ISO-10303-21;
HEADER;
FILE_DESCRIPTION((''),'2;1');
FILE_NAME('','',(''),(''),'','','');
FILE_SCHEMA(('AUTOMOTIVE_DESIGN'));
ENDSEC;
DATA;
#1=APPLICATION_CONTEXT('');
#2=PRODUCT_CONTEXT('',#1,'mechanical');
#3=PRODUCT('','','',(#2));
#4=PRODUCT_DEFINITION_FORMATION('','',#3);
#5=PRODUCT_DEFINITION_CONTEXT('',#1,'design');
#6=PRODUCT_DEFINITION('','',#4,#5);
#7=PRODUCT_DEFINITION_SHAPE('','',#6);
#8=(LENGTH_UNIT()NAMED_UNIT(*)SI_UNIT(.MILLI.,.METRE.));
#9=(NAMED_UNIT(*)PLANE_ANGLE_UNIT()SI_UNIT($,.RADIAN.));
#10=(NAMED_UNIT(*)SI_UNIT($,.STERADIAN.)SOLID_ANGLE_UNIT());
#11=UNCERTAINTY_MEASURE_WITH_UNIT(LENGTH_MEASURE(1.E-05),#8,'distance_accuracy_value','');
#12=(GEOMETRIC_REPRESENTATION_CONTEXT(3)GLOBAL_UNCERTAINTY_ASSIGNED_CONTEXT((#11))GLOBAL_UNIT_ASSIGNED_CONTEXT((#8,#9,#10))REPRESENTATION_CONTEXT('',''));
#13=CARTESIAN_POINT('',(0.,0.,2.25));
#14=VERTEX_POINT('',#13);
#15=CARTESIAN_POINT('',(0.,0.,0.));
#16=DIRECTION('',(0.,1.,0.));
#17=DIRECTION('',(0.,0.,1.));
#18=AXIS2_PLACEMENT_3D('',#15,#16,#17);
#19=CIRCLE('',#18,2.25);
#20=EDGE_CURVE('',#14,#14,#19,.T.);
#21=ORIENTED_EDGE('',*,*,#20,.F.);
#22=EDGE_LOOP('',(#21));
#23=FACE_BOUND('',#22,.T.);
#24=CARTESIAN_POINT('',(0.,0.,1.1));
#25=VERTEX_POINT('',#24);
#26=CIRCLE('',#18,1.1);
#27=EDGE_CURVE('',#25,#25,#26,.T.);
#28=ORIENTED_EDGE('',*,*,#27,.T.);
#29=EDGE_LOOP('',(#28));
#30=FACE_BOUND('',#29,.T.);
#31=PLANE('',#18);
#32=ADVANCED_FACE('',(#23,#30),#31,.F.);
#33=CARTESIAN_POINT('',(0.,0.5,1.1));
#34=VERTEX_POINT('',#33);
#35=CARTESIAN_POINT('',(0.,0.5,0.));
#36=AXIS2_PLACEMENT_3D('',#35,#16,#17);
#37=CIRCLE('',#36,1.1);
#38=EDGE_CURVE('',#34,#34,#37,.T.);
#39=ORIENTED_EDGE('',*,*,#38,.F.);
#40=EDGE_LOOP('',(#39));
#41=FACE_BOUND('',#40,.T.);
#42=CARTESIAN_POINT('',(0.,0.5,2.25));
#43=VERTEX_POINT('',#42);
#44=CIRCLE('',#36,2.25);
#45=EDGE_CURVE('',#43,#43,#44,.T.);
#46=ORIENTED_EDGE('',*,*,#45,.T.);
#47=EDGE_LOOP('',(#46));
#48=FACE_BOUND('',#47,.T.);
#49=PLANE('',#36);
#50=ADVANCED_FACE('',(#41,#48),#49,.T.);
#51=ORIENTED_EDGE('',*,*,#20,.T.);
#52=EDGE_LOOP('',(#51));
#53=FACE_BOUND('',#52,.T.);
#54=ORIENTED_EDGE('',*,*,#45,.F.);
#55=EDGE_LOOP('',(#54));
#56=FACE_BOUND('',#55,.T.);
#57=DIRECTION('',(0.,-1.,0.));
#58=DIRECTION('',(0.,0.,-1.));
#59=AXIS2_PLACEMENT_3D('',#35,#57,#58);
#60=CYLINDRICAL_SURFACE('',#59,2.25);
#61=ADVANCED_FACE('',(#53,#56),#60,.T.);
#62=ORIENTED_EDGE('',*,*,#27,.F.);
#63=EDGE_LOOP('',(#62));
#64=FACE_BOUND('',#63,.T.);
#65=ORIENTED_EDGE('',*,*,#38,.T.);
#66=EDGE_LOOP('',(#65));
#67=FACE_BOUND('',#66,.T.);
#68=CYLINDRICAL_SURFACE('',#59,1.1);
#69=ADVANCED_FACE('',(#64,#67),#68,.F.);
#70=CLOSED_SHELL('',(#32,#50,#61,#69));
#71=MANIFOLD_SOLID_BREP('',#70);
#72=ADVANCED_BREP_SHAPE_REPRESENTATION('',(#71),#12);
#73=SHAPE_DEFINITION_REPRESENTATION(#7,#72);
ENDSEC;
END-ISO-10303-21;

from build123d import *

# Parameters (mm, degrees)
SKICA1_R                = 2.25
SKICA1_R_2              = 1.1
P_IDAT_VYSUNUT_M1_DEPTH = 0.5


with BuildPart() as part:
    # Skica1 → Přidat vysunutím1 (new body)
    with BuildSketch(Plane(origin=(0, 0, 0), x_dir=(1, 0, 0), z_dir=(0, 1, 0))):
        Circle(SKICA1_R)
        Circle(SKICA1_R_2, mode=Mode.SUBTRACT)
    extrude(amount=P_IDAT_VYSUNUT_M1_DEPTH)


solid = part.part
